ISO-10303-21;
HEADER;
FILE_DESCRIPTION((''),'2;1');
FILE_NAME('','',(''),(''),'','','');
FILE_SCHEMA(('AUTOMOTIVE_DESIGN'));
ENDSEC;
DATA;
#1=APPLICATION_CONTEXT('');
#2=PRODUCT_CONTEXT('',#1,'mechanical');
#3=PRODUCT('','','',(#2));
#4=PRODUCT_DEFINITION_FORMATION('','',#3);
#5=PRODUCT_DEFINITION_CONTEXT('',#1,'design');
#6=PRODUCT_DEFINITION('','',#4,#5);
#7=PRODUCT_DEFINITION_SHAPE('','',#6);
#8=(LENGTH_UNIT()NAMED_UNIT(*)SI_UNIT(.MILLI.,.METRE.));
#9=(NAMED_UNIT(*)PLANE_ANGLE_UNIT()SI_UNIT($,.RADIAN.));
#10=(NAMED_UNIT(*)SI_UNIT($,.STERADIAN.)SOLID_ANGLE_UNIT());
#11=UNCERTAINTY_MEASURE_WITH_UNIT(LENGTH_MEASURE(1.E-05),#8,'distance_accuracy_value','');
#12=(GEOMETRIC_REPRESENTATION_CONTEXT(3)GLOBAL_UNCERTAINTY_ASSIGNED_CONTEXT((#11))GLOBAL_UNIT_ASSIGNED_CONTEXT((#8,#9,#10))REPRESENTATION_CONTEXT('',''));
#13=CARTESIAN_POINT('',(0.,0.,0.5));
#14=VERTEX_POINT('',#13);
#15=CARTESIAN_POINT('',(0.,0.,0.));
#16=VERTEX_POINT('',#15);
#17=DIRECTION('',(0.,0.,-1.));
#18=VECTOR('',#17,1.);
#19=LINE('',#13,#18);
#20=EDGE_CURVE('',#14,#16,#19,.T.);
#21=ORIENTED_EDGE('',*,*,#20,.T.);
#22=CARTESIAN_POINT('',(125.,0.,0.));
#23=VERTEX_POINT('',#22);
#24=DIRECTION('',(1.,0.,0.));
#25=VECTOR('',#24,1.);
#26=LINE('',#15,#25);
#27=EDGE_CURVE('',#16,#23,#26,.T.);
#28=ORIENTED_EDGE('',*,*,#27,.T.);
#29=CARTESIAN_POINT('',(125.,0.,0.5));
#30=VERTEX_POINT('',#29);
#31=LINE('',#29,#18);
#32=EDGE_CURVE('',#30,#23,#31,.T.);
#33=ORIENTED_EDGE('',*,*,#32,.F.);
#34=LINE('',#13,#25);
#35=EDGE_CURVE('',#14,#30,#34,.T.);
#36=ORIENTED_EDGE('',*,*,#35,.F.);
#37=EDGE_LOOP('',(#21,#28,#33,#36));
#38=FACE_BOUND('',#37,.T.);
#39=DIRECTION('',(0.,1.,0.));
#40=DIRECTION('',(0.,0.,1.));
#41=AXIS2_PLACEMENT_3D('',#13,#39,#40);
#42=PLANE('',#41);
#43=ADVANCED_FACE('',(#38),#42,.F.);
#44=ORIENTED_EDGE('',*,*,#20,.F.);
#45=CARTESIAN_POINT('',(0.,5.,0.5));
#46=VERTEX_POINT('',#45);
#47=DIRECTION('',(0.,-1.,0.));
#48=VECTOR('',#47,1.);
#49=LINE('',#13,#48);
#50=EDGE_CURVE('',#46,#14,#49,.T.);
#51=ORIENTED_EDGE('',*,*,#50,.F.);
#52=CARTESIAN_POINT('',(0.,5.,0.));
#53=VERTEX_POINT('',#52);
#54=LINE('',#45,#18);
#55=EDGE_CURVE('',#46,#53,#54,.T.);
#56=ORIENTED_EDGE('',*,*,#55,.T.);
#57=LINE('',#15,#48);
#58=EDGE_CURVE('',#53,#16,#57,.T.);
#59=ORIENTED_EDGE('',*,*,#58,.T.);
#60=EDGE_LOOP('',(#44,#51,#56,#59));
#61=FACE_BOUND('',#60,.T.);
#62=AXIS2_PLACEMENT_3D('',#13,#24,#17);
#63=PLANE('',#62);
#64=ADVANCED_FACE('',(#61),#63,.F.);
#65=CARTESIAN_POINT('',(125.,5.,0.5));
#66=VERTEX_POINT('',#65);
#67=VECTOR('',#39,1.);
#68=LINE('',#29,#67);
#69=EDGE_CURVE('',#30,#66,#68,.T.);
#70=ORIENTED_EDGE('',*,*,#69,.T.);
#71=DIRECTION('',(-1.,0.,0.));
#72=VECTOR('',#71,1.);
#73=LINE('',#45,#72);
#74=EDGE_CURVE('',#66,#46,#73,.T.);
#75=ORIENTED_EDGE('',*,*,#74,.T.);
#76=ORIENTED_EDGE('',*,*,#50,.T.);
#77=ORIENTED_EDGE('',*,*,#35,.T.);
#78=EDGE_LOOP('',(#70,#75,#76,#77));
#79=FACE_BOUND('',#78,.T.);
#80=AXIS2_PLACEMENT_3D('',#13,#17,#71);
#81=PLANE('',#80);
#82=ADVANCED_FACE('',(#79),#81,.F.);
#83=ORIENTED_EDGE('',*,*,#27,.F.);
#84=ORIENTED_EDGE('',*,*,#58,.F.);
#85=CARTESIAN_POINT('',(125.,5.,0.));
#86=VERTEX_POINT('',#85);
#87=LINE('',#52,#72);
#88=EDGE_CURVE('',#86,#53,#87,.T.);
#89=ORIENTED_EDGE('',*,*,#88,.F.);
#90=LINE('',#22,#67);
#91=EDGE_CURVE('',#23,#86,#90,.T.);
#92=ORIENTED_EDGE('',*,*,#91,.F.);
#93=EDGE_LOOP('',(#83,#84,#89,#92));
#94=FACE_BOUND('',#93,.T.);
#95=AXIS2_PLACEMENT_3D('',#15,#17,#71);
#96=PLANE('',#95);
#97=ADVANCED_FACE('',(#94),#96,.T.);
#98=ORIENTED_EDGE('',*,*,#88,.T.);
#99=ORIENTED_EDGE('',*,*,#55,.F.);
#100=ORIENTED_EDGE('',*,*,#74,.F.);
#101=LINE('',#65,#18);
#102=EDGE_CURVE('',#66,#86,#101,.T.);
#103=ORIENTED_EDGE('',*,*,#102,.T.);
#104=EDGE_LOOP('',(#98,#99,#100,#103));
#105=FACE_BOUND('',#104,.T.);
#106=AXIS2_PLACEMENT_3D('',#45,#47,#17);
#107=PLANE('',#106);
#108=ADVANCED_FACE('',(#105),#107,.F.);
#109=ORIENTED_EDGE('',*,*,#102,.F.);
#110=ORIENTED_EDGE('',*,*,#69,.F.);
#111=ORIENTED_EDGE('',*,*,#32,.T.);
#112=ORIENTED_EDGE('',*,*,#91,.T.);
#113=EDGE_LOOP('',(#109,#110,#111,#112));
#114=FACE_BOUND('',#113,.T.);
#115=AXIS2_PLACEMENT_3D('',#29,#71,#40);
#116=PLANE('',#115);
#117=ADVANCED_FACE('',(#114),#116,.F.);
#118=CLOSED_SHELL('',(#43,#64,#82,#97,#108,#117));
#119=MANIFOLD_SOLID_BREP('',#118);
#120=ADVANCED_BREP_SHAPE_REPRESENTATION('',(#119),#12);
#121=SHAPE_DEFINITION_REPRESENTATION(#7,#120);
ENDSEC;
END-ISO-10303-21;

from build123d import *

# Parameters (mm, degrees)
SKETCH1_W     = 125
SKETCH1_H     = 5
PROFILE_DEPTH = 0.5


with BuildPart() as part:
    # Sketch1 → Profile (new body)
    with BuildSketch(Plane.XY):
        with Locations((62.5, 2.5)):
            Rectangle(SKETCH1_W, SKETCH1_H)
    extrude(amount=PROFILE_DEPTH)


solid = part.part
